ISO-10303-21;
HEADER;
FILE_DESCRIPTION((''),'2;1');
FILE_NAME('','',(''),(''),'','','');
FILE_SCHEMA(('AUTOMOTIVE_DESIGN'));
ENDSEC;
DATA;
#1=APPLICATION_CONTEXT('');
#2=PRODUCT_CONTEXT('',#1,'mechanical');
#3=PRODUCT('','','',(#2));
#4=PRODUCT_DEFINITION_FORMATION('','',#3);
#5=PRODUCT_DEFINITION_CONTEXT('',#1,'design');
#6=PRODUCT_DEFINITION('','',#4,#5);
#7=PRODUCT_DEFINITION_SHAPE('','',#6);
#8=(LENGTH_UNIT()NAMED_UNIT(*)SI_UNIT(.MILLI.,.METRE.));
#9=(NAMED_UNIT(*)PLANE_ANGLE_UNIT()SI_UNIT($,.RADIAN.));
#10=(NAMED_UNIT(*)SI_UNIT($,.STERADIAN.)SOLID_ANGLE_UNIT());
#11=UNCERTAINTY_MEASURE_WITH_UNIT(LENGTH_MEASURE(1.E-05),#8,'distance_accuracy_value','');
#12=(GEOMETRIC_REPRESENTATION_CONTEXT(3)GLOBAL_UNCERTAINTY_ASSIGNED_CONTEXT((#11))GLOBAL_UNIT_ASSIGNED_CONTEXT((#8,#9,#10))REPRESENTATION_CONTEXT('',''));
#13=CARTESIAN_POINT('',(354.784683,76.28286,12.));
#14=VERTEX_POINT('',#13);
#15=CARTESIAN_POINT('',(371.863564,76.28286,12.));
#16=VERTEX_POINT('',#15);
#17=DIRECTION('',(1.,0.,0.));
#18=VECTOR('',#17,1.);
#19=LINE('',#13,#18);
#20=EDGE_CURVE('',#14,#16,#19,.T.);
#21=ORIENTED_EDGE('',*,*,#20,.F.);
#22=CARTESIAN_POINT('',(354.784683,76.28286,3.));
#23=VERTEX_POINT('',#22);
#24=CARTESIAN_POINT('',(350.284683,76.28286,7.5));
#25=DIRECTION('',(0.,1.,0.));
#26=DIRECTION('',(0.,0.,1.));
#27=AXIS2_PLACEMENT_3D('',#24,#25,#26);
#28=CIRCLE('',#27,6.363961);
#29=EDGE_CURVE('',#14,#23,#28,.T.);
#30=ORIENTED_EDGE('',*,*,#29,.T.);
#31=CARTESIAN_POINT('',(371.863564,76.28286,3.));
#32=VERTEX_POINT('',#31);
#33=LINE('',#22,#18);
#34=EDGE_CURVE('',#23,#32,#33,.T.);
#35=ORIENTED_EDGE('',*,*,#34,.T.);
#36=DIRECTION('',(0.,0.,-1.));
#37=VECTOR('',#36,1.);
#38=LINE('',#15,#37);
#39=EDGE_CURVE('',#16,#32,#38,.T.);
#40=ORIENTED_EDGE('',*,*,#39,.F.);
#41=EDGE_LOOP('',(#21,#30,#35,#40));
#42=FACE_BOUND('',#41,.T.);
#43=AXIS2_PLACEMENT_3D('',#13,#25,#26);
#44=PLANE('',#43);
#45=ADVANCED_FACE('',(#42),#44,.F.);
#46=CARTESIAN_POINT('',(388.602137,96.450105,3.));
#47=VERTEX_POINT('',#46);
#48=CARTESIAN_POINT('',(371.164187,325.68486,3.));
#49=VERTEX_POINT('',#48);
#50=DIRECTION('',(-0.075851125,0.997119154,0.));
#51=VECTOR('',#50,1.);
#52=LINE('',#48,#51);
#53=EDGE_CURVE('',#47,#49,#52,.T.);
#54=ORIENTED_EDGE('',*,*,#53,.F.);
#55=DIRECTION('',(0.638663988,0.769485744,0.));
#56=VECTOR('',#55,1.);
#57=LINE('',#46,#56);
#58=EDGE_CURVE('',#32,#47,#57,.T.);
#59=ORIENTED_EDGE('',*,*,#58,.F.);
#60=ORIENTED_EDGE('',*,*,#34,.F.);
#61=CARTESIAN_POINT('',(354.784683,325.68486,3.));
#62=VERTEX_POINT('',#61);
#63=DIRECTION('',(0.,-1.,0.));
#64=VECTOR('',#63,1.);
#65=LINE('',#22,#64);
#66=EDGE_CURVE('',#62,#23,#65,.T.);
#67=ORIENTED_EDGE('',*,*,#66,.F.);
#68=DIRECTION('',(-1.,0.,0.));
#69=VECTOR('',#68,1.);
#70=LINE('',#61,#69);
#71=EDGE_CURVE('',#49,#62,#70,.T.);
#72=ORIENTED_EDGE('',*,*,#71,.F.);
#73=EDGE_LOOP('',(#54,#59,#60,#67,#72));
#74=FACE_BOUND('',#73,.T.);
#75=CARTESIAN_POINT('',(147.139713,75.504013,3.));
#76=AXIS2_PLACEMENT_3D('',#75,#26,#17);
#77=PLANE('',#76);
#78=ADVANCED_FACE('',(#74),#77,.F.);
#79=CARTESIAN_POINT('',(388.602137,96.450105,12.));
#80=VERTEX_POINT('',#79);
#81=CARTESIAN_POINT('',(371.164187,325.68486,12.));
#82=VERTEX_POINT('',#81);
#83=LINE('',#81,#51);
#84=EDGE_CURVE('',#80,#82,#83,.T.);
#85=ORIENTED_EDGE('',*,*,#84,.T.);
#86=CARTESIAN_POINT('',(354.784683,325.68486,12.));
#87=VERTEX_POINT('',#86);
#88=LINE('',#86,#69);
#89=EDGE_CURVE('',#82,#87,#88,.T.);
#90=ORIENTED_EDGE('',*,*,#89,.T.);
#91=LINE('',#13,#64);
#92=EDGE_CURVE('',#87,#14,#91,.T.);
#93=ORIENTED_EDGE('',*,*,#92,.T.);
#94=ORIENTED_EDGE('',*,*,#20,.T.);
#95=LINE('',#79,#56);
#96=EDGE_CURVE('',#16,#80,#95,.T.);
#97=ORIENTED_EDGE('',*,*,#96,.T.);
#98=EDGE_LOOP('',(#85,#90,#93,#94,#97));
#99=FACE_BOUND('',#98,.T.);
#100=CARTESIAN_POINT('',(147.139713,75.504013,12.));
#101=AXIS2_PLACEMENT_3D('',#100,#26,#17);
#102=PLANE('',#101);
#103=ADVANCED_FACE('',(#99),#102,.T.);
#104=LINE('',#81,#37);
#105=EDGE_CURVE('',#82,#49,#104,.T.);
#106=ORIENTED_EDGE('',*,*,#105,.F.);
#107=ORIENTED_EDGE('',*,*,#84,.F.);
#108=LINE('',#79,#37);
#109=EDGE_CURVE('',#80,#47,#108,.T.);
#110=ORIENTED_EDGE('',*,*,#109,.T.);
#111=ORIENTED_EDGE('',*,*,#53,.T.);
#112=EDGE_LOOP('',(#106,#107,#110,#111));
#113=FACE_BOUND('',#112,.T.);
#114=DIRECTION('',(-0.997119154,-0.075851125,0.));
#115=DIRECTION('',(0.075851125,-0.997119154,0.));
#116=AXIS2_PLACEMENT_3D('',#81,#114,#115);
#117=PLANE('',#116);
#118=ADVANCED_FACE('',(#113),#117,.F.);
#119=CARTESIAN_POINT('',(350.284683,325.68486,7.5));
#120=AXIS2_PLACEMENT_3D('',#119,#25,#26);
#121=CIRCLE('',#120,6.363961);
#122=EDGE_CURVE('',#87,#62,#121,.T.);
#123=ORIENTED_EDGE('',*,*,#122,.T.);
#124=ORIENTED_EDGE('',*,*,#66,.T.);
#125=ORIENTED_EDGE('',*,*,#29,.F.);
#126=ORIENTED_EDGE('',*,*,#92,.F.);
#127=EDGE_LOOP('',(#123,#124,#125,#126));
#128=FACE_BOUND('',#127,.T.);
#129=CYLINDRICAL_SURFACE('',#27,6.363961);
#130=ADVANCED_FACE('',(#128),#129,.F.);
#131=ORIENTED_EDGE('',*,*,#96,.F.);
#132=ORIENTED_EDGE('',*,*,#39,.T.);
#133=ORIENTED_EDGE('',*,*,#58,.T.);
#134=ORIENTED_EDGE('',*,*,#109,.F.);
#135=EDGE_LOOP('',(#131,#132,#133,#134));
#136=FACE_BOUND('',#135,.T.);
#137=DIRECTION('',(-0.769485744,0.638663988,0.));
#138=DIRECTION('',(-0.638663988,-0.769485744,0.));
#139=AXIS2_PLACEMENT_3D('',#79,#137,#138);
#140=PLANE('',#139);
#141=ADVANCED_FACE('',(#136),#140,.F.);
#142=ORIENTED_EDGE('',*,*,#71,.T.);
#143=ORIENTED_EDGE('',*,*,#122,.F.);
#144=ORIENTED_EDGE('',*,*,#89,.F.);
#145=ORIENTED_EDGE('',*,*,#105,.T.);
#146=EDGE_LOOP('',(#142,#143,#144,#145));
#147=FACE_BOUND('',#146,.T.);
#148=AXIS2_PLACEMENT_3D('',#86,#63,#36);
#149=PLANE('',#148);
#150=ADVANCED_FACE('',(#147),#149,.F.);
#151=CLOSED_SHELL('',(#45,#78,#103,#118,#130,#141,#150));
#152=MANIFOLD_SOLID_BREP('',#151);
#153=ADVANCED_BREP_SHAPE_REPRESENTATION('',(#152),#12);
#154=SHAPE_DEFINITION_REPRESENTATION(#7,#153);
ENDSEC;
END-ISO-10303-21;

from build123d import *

# Parameters (mm, degrees)
BOSS_EXTRUDE1_DEPTH     = 15
SCALE1_SCALE            = 0.6
CUT_EXTRUDE2_DEPTH      = 414.628802078
CUT_EXTRUDE2_DEPTH_BACK = 414.628802078


with BuildPart() as part:
    # Sketch3 → Boss-Extrude1 (new body)
    with BuildSketch(Plane.XY):
        Polygon((373.374123275, 416.968077367), (402.437373481, 34.910153282), (374.539751445, 1.298077367), (346.074948764, 1.298077367), (346.074948764, 416.968077367), align=None)
    extrude(amount=BOSS_EXTRUDE1_DEPTH)


with BuildPart() as part_1:
    # Scale1: scaled about (367.849283485, 188.760033588, 7.5)
    add(part.part.scale(SCALE1_SCALE).moved(Location((147.139713394, 75.504013435, 3))))

    # Sketch9 → Cut-Extrude2 (cut, two sides: drawn at the far end of the back side and taken through both)
    with BuildSketch(Plane(origin=(0, 184.5, 0), x_dir=(1, 0, 0), z_dir=(0, 1, 0)).offset(-CUT_EXTRUDE2_DEPTH_BACK)):
        with BuildLine():
            Line((354.784682653, -12), (354.784682653, -3))
            ThreePointArc((354.784682653, -3), (356.648643683, -7.5), (354.784682653, -12))
        make_face()
    extrude(amount=CUT_EXTRUDE2_DEPTH + CUT_EXTRUDE2_DEPTH_BACK, mode=Mode.SUBTRACT)


solid = part_1.part
